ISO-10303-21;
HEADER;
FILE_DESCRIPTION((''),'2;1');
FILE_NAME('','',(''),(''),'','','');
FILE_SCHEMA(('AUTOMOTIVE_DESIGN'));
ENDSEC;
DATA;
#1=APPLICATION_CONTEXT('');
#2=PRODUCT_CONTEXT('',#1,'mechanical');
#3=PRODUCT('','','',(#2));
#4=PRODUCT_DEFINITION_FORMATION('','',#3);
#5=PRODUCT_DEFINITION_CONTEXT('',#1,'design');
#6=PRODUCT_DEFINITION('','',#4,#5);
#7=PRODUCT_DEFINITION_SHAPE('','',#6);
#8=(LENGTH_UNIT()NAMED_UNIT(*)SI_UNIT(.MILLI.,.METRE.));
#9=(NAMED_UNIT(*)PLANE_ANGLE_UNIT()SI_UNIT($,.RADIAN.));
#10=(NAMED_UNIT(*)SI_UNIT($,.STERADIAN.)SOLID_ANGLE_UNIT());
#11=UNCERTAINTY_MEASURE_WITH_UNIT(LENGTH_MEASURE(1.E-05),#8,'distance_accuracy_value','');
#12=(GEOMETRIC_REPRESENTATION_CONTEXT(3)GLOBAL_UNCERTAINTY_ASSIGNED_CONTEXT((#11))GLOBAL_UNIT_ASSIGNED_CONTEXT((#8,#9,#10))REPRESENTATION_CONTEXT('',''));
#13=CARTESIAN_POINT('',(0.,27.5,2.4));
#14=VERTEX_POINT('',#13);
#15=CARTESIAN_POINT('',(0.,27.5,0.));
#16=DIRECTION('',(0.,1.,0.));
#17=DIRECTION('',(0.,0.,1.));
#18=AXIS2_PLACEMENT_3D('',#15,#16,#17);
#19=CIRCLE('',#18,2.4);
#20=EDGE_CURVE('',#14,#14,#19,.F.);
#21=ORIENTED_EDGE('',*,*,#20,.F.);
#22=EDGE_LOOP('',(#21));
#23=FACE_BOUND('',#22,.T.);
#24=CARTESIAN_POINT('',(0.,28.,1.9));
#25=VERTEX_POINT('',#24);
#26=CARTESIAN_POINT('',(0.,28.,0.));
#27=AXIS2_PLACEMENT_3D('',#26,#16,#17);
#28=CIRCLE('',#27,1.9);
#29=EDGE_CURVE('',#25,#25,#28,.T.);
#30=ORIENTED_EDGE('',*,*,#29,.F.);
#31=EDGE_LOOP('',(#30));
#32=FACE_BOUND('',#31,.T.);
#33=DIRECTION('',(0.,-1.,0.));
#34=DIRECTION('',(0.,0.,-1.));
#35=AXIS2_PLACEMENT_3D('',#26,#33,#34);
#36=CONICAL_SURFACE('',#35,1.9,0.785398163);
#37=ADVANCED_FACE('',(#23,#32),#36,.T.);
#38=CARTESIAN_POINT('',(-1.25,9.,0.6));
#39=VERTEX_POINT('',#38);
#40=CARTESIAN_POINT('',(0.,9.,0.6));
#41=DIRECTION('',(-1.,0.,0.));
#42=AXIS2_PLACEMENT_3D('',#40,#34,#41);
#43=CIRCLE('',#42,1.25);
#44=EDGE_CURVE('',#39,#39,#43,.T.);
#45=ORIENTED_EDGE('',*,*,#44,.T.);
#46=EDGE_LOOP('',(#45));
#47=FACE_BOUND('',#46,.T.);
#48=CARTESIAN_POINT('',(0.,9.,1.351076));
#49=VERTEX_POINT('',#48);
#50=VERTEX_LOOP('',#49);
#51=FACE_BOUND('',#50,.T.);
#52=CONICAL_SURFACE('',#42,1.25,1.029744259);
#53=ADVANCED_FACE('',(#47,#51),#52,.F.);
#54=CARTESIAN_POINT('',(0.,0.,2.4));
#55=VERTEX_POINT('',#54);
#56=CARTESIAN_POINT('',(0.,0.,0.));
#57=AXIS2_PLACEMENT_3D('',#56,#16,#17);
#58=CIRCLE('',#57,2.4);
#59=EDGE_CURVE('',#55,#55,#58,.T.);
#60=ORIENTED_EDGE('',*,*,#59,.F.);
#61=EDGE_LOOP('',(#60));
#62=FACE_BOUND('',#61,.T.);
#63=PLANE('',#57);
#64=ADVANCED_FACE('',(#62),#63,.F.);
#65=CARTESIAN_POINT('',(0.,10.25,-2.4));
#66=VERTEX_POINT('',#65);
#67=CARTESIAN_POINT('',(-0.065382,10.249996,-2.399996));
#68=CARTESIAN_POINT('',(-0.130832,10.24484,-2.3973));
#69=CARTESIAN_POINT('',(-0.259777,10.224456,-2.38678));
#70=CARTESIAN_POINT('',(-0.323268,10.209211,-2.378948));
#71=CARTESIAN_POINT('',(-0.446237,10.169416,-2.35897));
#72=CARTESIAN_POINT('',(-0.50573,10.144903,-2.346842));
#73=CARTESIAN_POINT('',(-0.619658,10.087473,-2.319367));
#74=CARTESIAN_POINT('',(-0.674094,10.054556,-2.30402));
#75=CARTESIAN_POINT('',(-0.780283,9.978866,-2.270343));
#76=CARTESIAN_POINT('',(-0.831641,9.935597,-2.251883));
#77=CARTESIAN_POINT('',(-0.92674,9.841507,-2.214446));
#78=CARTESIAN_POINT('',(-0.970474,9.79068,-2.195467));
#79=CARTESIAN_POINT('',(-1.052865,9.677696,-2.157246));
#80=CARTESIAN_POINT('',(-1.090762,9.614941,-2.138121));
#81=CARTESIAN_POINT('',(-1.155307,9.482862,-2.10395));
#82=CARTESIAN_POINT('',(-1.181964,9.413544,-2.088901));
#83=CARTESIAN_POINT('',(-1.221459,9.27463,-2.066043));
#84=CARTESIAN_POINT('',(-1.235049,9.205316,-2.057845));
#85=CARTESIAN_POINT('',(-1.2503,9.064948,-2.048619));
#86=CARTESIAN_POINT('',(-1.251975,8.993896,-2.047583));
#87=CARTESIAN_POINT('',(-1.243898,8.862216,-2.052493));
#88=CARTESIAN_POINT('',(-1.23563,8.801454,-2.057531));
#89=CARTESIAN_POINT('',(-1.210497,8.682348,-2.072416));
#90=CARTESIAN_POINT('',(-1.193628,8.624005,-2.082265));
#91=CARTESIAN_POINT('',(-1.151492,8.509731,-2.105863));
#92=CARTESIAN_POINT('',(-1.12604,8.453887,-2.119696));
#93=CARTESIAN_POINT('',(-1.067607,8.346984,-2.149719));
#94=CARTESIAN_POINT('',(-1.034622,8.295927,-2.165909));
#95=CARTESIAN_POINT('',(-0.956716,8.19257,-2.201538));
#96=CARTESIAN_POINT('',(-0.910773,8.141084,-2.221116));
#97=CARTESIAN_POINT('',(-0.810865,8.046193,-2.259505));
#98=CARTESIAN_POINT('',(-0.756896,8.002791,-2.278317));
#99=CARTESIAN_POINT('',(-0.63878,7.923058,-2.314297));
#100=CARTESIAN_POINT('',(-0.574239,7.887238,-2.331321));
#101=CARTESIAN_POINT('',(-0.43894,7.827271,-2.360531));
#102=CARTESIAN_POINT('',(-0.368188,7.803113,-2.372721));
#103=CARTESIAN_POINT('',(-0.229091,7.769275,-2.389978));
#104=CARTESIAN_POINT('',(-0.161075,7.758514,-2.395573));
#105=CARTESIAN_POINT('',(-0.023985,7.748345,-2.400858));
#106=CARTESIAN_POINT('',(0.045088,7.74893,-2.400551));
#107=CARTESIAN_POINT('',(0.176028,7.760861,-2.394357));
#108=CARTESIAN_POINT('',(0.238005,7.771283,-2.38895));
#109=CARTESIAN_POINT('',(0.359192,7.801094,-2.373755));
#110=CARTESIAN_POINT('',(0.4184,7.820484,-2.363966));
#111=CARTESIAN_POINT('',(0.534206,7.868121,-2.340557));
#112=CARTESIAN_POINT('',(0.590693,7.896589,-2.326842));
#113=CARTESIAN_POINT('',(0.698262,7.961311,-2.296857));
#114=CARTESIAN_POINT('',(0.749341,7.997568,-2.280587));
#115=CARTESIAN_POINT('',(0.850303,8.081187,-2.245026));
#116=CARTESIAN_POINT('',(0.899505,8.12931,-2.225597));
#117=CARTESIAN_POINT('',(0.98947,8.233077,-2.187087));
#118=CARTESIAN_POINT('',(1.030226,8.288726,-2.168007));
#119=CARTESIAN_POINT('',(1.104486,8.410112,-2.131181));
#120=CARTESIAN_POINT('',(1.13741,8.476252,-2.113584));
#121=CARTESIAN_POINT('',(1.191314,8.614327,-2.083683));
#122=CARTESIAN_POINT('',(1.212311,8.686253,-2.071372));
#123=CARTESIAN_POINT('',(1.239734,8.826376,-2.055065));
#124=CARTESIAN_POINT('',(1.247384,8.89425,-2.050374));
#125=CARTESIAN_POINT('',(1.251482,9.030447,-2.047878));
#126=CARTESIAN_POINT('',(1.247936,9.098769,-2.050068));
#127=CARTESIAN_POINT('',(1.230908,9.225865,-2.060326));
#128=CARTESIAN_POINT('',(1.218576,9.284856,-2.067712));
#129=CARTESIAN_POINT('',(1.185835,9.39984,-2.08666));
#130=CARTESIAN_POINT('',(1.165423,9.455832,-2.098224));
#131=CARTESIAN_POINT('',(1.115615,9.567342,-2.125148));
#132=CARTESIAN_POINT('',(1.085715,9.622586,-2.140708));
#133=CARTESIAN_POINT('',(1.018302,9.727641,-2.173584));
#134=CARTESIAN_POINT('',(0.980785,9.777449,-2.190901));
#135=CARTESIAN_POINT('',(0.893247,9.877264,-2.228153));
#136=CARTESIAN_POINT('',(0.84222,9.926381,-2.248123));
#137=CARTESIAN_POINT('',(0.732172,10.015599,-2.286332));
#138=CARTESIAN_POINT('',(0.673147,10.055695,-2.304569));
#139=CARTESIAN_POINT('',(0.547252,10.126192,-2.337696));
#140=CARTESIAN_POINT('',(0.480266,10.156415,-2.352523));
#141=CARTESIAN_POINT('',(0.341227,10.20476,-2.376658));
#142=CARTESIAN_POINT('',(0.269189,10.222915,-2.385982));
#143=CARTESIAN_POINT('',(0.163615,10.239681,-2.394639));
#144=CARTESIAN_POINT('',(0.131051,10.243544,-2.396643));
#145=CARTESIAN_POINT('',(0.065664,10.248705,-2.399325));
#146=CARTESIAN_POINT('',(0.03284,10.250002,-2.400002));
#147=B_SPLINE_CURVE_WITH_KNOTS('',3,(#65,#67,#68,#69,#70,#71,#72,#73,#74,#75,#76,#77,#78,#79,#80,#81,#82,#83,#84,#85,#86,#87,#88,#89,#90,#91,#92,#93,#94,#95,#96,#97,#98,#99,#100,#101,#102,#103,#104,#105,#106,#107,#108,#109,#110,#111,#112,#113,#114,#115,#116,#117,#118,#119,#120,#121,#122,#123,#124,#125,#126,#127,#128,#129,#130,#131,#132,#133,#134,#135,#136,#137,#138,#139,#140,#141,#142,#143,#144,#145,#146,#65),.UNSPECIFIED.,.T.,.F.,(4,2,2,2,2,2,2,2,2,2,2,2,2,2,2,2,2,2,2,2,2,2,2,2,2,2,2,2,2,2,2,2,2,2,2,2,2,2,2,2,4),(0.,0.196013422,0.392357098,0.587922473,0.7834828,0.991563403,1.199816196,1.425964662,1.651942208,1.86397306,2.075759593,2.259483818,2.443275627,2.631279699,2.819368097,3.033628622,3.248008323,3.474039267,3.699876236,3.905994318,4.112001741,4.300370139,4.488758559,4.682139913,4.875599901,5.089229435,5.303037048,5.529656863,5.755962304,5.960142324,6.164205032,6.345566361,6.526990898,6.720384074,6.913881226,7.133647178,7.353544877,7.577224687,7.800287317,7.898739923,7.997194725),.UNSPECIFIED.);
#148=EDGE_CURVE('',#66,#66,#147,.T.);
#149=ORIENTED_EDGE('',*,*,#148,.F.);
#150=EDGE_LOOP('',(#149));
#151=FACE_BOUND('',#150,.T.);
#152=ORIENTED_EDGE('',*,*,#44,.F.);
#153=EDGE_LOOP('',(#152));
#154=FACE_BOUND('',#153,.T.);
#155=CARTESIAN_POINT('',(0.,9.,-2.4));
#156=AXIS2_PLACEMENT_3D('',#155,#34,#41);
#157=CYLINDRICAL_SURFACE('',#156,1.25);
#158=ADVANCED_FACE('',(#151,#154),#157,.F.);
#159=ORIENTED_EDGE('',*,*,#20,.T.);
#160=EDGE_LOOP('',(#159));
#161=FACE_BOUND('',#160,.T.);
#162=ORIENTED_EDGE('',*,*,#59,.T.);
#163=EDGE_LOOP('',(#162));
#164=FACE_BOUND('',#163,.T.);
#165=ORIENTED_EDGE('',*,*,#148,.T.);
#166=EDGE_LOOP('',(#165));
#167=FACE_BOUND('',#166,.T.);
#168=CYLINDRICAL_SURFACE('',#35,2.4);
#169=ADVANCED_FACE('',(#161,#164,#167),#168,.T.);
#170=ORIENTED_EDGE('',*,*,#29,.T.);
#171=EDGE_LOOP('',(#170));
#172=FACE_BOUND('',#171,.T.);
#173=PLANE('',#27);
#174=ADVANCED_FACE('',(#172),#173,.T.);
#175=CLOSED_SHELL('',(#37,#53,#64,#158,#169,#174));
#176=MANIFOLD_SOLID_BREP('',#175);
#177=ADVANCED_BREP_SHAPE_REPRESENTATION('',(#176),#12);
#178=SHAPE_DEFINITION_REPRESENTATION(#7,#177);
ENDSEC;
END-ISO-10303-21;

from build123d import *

# Parameters (mm, degrees)
SKETCH_1_R      = 2.4
EXTRUDE_1_DEPTH = 28
CHAMFER_1_SIZE  = 0.5
M3X0_51_D       = 2.5
M3X0_51_DEPTH   = 3
M3X0_51_TIP     = 0.751075774


with BuildPart() as part:
    # Эскиз1 → Бобышка-Вытянуть1 (new body)
    with BuildSketch(Plane(origin=(0, 0, 0), x_dir=(1, 0, 0), z_dir=(0, 1, 0))):
        with Locations(Location((0, 0, 0), (0, 0, 270))):
            Circle(SKETCH_1_R)
    extrude(amount=EXTRUDE_1_DEPTH)

    # Фаска1
    chamfer_1_edges = [part.edges().sort_by_distance(p)[0] for p in [
        (0, 28, -2.4),
    ]]
    chamfer(chamfer_1_edges, length=CHAMFER_1_SIZE)

    # Отверстие обработанное метчиком M3x0.51
    with Locations(Plane(origin=(0, 0, -2.4), x_dir=(-1, 0, 0), z_dir=(0, 0, -1))):
        with Locations((0, 9)):
            Hole(M3X0_51_D / 2, depth=M3X0_51_DEPTH)
            with Locations((0, 0, -(M3X0_51_DEPTH + M3X0_51_TIP / 2))):  # 118° drill point
                Cone(0, M3X0_51_D / 2, M3X0_51_TIP, mode=Mode.SUBTRACT)


solid = part.part
